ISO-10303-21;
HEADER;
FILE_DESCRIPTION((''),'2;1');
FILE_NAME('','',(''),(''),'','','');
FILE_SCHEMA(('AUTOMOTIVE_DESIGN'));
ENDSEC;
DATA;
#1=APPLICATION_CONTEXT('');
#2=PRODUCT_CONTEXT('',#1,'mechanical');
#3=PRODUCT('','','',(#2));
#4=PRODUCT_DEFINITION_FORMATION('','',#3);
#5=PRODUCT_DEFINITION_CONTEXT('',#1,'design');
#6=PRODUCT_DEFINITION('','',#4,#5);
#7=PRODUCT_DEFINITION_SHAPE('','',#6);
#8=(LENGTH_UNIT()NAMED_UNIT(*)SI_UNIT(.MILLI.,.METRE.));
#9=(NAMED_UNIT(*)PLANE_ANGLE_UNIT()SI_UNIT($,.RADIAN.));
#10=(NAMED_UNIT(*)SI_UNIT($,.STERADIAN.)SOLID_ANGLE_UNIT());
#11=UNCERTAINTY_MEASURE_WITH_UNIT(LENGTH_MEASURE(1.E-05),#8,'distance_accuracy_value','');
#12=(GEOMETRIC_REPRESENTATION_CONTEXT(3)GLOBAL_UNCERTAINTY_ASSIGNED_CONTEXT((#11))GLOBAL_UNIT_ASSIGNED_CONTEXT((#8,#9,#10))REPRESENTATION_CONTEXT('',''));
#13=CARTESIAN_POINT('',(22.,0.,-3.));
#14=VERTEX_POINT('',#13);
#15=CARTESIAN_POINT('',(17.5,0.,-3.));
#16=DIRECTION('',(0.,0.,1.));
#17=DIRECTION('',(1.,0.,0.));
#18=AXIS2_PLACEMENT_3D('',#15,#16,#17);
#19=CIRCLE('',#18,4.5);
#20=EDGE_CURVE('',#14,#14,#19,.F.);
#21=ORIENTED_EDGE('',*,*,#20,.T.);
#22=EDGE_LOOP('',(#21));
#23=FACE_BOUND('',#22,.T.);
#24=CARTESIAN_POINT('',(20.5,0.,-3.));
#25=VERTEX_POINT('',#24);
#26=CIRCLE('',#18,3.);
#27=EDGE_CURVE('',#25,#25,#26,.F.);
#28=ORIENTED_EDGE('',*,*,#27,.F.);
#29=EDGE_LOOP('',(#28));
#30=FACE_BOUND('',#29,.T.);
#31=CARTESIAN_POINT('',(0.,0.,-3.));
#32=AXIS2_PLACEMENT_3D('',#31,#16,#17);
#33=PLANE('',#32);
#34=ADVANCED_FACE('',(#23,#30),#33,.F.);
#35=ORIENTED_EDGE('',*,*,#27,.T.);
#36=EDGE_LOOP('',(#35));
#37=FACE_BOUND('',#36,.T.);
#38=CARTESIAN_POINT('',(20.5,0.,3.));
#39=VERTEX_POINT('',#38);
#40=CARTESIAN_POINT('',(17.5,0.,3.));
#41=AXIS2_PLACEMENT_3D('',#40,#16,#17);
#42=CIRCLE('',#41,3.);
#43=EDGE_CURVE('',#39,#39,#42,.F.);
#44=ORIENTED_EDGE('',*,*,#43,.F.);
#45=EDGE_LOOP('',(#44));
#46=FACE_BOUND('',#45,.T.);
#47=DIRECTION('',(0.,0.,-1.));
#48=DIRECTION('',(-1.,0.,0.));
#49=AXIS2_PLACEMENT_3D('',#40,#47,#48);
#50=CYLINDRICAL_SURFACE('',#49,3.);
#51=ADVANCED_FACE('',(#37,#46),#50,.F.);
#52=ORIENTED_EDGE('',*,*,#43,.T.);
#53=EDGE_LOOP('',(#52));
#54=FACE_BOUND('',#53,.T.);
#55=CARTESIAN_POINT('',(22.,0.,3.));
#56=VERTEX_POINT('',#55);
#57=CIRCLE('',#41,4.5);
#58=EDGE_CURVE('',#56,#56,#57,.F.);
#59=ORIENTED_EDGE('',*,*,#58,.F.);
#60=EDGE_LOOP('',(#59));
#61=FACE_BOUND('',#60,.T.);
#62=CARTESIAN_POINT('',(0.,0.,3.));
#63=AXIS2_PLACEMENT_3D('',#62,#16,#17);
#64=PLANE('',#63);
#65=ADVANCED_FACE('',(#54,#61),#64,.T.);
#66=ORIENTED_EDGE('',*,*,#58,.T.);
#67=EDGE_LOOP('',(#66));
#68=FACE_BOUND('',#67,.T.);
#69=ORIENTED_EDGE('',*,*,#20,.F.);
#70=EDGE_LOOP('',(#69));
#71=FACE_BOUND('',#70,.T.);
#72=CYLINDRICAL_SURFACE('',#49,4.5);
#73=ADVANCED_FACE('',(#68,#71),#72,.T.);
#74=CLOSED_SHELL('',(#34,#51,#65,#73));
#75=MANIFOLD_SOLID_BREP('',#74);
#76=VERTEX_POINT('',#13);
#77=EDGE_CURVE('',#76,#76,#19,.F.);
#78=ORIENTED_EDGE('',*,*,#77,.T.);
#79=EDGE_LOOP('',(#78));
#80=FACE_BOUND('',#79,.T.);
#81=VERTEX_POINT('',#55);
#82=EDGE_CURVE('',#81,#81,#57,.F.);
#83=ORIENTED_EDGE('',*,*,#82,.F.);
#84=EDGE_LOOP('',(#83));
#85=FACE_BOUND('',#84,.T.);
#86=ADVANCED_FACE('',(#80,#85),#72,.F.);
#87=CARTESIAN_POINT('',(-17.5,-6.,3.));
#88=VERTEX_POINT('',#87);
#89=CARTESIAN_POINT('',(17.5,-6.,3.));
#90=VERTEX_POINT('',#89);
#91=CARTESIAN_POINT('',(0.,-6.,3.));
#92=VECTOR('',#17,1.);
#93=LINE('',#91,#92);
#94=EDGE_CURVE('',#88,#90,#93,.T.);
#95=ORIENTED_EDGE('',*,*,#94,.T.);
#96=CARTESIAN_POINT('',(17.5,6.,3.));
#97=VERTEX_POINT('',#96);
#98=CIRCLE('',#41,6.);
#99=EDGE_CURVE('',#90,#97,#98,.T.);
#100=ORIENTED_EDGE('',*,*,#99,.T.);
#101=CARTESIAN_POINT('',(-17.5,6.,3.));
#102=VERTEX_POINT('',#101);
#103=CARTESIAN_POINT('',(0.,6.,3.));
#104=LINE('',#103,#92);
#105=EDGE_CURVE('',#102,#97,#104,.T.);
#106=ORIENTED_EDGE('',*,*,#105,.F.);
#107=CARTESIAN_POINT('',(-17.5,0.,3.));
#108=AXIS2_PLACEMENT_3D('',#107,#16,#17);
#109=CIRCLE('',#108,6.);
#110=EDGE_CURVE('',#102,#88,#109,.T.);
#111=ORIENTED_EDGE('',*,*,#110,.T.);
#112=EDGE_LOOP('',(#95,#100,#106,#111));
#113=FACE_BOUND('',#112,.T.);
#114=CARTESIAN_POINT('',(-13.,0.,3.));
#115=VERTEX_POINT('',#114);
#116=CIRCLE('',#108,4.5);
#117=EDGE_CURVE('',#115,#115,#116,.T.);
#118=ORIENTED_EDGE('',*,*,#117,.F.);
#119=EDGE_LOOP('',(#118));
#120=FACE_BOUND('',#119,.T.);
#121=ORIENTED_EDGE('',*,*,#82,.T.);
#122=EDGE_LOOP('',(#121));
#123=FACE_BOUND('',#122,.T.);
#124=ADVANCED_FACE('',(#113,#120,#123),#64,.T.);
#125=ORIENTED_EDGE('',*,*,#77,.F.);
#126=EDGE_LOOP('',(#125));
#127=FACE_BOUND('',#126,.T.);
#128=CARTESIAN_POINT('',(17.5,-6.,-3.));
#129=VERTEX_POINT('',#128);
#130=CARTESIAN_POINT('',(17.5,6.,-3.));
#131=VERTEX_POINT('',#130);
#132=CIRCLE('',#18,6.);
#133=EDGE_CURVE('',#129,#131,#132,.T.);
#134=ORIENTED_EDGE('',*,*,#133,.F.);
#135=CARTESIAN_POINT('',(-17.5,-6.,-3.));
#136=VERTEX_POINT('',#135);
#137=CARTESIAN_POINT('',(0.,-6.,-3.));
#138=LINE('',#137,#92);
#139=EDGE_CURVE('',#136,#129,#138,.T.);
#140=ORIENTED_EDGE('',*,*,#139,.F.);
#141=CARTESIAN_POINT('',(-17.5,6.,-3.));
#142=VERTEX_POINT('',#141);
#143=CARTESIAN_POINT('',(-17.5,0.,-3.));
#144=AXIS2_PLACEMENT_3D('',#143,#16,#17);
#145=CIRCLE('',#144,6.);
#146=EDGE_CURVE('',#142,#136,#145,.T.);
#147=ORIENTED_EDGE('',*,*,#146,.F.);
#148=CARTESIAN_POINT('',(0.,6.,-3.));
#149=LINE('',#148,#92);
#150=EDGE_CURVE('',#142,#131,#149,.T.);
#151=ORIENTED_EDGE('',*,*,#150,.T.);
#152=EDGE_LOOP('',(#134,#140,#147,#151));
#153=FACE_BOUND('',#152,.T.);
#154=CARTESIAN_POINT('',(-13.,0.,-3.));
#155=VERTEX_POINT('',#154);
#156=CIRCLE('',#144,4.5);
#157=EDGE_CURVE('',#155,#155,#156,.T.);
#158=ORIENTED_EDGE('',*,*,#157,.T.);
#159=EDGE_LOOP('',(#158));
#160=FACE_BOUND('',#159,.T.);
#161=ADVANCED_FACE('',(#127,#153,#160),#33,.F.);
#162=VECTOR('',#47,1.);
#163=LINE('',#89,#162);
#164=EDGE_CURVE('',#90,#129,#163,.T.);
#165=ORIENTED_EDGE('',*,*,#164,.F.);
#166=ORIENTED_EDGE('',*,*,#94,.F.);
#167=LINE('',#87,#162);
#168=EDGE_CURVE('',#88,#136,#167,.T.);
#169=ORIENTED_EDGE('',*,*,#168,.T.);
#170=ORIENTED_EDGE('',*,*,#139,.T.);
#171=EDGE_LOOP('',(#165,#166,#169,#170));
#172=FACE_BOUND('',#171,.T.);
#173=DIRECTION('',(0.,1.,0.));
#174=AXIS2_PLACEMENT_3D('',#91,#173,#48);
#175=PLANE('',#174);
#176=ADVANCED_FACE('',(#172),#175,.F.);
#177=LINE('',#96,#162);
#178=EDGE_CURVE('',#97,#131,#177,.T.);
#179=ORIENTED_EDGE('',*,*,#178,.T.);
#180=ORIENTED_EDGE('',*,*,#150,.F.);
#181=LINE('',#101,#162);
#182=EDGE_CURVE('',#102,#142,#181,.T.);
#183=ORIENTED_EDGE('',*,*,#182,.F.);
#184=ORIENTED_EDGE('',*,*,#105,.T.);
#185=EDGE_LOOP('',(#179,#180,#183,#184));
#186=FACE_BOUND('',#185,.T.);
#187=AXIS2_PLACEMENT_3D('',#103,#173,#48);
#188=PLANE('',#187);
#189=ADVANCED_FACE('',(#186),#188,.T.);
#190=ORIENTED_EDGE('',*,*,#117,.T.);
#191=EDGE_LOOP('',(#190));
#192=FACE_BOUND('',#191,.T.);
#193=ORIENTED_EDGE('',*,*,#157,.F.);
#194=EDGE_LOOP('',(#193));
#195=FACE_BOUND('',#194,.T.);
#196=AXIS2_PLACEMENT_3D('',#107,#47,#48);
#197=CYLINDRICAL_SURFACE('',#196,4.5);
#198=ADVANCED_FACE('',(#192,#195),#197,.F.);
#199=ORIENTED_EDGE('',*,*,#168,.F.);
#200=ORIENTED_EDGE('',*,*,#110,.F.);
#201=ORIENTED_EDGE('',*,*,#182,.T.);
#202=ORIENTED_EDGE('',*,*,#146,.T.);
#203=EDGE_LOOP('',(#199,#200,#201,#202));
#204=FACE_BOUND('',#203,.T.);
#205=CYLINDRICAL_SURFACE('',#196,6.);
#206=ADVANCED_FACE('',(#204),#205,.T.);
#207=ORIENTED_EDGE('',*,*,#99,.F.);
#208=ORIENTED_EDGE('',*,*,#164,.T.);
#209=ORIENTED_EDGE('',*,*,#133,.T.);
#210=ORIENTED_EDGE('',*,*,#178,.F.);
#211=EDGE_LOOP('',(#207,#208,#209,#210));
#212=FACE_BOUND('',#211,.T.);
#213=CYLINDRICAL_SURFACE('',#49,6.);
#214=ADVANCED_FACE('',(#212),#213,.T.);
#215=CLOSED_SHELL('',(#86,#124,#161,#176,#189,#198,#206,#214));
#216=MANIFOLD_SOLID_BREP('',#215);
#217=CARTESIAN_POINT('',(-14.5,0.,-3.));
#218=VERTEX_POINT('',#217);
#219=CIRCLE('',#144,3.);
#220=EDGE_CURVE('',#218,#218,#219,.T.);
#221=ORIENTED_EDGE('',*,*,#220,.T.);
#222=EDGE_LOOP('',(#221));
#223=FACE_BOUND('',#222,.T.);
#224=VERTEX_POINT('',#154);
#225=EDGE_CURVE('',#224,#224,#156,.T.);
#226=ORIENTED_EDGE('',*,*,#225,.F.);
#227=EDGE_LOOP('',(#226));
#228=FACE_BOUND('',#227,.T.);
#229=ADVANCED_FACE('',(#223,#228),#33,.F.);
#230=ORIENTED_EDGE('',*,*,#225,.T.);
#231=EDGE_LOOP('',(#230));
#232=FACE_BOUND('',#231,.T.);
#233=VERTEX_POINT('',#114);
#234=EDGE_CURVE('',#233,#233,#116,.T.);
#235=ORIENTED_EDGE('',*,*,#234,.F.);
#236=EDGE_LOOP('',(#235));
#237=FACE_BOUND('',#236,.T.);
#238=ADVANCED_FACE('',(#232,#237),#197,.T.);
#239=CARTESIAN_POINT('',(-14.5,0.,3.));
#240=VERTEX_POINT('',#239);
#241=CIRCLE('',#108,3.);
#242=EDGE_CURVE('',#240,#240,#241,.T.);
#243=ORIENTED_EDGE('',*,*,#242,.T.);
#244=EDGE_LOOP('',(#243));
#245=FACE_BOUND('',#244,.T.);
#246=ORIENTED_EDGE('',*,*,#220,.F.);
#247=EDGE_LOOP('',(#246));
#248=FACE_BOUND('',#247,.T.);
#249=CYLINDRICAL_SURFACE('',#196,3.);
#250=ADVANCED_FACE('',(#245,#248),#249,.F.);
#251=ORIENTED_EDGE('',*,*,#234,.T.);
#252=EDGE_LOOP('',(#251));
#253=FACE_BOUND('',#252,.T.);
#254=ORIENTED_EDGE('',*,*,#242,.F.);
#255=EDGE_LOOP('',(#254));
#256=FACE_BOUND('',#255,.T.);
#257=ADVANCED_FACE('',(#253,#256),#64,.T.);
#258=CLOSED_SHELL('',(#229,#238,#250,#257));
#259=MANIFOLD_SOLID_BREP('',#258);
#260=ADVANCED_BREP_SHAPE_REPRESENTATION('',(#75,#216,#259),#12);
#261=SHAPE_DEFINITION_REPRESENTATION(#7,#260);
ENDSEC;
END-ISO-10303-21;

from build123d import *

# Parameters (mm, degrees)
SKETCH1_R             = 4.5
BOSS_EXTRUDE1_DEPTH   = 3
SKETCH1_3_R           = 4.5
SKETCH1_3_R_2         = 3
BOSS_EXTRUDE2_DEPTH   = 3
BOSS_EXTRUDE2_2_DEPTH = 3


with BuildPart() as part:
    # Sketch1 → Boss-Extrude1 (new, symmetric)
    with BuildSketch(Plane.XY):
        with BuildLine():
            Line((-17.5, -6), (17.5, -6))
            ThreePointArc((17.5, -6), (23.5, 0), (17.5, 6))
            Line((17.5, 6), (-17.5, 6))
            ThreePointArc((-17.5, 6), (-23.5, 0), (-17.5, -6))
        make_face()
        with Locations((-17.5, 0)):
            Circle(SKETCH1_R, mode=Mode.SUBTRACT)
        with Locations((17.5, 0)):
            Circle(SKETCH1_R, mode=Mode.SUBTRACT)
    extrude(amount=BOSS_EXTRUDE1_DEPTH, both=True)


with BuildPart() as body_2:
    # Sketch1<3> → Boss-Extrude2 (new, symmetric)
    with BuildSketch(Plane.XY):
        with Locations((-17.5, 0)):
            Circle(SKETCH1_3_R)
        with Locations((-17.5, 0)):
            Circle(SKETCH1_3_R_2, mode=Mode.SUBTRACT)
    extrude(amount=BOSS_EXTRUDE2_DEPTH, both=True)


with BuildPart() as body_3:
    # Sketch1<3> → Boss-Extrude2 2 (new, symmetric)
    with BuildSketch(Plane.XY):
        with Locations((17.5, 0)):
            Circle(SKETCH1_3_R)
        with Locations((17.5, 0)):
            Circle(SKETCH1_3_R_2, mode=Mode.SUBTRACT)
    extrude(amount=BOSS_EXTRUDE2_2_DEPTH, both=True)


solid = Compound([part.part, body_2.part, body_3.part])
